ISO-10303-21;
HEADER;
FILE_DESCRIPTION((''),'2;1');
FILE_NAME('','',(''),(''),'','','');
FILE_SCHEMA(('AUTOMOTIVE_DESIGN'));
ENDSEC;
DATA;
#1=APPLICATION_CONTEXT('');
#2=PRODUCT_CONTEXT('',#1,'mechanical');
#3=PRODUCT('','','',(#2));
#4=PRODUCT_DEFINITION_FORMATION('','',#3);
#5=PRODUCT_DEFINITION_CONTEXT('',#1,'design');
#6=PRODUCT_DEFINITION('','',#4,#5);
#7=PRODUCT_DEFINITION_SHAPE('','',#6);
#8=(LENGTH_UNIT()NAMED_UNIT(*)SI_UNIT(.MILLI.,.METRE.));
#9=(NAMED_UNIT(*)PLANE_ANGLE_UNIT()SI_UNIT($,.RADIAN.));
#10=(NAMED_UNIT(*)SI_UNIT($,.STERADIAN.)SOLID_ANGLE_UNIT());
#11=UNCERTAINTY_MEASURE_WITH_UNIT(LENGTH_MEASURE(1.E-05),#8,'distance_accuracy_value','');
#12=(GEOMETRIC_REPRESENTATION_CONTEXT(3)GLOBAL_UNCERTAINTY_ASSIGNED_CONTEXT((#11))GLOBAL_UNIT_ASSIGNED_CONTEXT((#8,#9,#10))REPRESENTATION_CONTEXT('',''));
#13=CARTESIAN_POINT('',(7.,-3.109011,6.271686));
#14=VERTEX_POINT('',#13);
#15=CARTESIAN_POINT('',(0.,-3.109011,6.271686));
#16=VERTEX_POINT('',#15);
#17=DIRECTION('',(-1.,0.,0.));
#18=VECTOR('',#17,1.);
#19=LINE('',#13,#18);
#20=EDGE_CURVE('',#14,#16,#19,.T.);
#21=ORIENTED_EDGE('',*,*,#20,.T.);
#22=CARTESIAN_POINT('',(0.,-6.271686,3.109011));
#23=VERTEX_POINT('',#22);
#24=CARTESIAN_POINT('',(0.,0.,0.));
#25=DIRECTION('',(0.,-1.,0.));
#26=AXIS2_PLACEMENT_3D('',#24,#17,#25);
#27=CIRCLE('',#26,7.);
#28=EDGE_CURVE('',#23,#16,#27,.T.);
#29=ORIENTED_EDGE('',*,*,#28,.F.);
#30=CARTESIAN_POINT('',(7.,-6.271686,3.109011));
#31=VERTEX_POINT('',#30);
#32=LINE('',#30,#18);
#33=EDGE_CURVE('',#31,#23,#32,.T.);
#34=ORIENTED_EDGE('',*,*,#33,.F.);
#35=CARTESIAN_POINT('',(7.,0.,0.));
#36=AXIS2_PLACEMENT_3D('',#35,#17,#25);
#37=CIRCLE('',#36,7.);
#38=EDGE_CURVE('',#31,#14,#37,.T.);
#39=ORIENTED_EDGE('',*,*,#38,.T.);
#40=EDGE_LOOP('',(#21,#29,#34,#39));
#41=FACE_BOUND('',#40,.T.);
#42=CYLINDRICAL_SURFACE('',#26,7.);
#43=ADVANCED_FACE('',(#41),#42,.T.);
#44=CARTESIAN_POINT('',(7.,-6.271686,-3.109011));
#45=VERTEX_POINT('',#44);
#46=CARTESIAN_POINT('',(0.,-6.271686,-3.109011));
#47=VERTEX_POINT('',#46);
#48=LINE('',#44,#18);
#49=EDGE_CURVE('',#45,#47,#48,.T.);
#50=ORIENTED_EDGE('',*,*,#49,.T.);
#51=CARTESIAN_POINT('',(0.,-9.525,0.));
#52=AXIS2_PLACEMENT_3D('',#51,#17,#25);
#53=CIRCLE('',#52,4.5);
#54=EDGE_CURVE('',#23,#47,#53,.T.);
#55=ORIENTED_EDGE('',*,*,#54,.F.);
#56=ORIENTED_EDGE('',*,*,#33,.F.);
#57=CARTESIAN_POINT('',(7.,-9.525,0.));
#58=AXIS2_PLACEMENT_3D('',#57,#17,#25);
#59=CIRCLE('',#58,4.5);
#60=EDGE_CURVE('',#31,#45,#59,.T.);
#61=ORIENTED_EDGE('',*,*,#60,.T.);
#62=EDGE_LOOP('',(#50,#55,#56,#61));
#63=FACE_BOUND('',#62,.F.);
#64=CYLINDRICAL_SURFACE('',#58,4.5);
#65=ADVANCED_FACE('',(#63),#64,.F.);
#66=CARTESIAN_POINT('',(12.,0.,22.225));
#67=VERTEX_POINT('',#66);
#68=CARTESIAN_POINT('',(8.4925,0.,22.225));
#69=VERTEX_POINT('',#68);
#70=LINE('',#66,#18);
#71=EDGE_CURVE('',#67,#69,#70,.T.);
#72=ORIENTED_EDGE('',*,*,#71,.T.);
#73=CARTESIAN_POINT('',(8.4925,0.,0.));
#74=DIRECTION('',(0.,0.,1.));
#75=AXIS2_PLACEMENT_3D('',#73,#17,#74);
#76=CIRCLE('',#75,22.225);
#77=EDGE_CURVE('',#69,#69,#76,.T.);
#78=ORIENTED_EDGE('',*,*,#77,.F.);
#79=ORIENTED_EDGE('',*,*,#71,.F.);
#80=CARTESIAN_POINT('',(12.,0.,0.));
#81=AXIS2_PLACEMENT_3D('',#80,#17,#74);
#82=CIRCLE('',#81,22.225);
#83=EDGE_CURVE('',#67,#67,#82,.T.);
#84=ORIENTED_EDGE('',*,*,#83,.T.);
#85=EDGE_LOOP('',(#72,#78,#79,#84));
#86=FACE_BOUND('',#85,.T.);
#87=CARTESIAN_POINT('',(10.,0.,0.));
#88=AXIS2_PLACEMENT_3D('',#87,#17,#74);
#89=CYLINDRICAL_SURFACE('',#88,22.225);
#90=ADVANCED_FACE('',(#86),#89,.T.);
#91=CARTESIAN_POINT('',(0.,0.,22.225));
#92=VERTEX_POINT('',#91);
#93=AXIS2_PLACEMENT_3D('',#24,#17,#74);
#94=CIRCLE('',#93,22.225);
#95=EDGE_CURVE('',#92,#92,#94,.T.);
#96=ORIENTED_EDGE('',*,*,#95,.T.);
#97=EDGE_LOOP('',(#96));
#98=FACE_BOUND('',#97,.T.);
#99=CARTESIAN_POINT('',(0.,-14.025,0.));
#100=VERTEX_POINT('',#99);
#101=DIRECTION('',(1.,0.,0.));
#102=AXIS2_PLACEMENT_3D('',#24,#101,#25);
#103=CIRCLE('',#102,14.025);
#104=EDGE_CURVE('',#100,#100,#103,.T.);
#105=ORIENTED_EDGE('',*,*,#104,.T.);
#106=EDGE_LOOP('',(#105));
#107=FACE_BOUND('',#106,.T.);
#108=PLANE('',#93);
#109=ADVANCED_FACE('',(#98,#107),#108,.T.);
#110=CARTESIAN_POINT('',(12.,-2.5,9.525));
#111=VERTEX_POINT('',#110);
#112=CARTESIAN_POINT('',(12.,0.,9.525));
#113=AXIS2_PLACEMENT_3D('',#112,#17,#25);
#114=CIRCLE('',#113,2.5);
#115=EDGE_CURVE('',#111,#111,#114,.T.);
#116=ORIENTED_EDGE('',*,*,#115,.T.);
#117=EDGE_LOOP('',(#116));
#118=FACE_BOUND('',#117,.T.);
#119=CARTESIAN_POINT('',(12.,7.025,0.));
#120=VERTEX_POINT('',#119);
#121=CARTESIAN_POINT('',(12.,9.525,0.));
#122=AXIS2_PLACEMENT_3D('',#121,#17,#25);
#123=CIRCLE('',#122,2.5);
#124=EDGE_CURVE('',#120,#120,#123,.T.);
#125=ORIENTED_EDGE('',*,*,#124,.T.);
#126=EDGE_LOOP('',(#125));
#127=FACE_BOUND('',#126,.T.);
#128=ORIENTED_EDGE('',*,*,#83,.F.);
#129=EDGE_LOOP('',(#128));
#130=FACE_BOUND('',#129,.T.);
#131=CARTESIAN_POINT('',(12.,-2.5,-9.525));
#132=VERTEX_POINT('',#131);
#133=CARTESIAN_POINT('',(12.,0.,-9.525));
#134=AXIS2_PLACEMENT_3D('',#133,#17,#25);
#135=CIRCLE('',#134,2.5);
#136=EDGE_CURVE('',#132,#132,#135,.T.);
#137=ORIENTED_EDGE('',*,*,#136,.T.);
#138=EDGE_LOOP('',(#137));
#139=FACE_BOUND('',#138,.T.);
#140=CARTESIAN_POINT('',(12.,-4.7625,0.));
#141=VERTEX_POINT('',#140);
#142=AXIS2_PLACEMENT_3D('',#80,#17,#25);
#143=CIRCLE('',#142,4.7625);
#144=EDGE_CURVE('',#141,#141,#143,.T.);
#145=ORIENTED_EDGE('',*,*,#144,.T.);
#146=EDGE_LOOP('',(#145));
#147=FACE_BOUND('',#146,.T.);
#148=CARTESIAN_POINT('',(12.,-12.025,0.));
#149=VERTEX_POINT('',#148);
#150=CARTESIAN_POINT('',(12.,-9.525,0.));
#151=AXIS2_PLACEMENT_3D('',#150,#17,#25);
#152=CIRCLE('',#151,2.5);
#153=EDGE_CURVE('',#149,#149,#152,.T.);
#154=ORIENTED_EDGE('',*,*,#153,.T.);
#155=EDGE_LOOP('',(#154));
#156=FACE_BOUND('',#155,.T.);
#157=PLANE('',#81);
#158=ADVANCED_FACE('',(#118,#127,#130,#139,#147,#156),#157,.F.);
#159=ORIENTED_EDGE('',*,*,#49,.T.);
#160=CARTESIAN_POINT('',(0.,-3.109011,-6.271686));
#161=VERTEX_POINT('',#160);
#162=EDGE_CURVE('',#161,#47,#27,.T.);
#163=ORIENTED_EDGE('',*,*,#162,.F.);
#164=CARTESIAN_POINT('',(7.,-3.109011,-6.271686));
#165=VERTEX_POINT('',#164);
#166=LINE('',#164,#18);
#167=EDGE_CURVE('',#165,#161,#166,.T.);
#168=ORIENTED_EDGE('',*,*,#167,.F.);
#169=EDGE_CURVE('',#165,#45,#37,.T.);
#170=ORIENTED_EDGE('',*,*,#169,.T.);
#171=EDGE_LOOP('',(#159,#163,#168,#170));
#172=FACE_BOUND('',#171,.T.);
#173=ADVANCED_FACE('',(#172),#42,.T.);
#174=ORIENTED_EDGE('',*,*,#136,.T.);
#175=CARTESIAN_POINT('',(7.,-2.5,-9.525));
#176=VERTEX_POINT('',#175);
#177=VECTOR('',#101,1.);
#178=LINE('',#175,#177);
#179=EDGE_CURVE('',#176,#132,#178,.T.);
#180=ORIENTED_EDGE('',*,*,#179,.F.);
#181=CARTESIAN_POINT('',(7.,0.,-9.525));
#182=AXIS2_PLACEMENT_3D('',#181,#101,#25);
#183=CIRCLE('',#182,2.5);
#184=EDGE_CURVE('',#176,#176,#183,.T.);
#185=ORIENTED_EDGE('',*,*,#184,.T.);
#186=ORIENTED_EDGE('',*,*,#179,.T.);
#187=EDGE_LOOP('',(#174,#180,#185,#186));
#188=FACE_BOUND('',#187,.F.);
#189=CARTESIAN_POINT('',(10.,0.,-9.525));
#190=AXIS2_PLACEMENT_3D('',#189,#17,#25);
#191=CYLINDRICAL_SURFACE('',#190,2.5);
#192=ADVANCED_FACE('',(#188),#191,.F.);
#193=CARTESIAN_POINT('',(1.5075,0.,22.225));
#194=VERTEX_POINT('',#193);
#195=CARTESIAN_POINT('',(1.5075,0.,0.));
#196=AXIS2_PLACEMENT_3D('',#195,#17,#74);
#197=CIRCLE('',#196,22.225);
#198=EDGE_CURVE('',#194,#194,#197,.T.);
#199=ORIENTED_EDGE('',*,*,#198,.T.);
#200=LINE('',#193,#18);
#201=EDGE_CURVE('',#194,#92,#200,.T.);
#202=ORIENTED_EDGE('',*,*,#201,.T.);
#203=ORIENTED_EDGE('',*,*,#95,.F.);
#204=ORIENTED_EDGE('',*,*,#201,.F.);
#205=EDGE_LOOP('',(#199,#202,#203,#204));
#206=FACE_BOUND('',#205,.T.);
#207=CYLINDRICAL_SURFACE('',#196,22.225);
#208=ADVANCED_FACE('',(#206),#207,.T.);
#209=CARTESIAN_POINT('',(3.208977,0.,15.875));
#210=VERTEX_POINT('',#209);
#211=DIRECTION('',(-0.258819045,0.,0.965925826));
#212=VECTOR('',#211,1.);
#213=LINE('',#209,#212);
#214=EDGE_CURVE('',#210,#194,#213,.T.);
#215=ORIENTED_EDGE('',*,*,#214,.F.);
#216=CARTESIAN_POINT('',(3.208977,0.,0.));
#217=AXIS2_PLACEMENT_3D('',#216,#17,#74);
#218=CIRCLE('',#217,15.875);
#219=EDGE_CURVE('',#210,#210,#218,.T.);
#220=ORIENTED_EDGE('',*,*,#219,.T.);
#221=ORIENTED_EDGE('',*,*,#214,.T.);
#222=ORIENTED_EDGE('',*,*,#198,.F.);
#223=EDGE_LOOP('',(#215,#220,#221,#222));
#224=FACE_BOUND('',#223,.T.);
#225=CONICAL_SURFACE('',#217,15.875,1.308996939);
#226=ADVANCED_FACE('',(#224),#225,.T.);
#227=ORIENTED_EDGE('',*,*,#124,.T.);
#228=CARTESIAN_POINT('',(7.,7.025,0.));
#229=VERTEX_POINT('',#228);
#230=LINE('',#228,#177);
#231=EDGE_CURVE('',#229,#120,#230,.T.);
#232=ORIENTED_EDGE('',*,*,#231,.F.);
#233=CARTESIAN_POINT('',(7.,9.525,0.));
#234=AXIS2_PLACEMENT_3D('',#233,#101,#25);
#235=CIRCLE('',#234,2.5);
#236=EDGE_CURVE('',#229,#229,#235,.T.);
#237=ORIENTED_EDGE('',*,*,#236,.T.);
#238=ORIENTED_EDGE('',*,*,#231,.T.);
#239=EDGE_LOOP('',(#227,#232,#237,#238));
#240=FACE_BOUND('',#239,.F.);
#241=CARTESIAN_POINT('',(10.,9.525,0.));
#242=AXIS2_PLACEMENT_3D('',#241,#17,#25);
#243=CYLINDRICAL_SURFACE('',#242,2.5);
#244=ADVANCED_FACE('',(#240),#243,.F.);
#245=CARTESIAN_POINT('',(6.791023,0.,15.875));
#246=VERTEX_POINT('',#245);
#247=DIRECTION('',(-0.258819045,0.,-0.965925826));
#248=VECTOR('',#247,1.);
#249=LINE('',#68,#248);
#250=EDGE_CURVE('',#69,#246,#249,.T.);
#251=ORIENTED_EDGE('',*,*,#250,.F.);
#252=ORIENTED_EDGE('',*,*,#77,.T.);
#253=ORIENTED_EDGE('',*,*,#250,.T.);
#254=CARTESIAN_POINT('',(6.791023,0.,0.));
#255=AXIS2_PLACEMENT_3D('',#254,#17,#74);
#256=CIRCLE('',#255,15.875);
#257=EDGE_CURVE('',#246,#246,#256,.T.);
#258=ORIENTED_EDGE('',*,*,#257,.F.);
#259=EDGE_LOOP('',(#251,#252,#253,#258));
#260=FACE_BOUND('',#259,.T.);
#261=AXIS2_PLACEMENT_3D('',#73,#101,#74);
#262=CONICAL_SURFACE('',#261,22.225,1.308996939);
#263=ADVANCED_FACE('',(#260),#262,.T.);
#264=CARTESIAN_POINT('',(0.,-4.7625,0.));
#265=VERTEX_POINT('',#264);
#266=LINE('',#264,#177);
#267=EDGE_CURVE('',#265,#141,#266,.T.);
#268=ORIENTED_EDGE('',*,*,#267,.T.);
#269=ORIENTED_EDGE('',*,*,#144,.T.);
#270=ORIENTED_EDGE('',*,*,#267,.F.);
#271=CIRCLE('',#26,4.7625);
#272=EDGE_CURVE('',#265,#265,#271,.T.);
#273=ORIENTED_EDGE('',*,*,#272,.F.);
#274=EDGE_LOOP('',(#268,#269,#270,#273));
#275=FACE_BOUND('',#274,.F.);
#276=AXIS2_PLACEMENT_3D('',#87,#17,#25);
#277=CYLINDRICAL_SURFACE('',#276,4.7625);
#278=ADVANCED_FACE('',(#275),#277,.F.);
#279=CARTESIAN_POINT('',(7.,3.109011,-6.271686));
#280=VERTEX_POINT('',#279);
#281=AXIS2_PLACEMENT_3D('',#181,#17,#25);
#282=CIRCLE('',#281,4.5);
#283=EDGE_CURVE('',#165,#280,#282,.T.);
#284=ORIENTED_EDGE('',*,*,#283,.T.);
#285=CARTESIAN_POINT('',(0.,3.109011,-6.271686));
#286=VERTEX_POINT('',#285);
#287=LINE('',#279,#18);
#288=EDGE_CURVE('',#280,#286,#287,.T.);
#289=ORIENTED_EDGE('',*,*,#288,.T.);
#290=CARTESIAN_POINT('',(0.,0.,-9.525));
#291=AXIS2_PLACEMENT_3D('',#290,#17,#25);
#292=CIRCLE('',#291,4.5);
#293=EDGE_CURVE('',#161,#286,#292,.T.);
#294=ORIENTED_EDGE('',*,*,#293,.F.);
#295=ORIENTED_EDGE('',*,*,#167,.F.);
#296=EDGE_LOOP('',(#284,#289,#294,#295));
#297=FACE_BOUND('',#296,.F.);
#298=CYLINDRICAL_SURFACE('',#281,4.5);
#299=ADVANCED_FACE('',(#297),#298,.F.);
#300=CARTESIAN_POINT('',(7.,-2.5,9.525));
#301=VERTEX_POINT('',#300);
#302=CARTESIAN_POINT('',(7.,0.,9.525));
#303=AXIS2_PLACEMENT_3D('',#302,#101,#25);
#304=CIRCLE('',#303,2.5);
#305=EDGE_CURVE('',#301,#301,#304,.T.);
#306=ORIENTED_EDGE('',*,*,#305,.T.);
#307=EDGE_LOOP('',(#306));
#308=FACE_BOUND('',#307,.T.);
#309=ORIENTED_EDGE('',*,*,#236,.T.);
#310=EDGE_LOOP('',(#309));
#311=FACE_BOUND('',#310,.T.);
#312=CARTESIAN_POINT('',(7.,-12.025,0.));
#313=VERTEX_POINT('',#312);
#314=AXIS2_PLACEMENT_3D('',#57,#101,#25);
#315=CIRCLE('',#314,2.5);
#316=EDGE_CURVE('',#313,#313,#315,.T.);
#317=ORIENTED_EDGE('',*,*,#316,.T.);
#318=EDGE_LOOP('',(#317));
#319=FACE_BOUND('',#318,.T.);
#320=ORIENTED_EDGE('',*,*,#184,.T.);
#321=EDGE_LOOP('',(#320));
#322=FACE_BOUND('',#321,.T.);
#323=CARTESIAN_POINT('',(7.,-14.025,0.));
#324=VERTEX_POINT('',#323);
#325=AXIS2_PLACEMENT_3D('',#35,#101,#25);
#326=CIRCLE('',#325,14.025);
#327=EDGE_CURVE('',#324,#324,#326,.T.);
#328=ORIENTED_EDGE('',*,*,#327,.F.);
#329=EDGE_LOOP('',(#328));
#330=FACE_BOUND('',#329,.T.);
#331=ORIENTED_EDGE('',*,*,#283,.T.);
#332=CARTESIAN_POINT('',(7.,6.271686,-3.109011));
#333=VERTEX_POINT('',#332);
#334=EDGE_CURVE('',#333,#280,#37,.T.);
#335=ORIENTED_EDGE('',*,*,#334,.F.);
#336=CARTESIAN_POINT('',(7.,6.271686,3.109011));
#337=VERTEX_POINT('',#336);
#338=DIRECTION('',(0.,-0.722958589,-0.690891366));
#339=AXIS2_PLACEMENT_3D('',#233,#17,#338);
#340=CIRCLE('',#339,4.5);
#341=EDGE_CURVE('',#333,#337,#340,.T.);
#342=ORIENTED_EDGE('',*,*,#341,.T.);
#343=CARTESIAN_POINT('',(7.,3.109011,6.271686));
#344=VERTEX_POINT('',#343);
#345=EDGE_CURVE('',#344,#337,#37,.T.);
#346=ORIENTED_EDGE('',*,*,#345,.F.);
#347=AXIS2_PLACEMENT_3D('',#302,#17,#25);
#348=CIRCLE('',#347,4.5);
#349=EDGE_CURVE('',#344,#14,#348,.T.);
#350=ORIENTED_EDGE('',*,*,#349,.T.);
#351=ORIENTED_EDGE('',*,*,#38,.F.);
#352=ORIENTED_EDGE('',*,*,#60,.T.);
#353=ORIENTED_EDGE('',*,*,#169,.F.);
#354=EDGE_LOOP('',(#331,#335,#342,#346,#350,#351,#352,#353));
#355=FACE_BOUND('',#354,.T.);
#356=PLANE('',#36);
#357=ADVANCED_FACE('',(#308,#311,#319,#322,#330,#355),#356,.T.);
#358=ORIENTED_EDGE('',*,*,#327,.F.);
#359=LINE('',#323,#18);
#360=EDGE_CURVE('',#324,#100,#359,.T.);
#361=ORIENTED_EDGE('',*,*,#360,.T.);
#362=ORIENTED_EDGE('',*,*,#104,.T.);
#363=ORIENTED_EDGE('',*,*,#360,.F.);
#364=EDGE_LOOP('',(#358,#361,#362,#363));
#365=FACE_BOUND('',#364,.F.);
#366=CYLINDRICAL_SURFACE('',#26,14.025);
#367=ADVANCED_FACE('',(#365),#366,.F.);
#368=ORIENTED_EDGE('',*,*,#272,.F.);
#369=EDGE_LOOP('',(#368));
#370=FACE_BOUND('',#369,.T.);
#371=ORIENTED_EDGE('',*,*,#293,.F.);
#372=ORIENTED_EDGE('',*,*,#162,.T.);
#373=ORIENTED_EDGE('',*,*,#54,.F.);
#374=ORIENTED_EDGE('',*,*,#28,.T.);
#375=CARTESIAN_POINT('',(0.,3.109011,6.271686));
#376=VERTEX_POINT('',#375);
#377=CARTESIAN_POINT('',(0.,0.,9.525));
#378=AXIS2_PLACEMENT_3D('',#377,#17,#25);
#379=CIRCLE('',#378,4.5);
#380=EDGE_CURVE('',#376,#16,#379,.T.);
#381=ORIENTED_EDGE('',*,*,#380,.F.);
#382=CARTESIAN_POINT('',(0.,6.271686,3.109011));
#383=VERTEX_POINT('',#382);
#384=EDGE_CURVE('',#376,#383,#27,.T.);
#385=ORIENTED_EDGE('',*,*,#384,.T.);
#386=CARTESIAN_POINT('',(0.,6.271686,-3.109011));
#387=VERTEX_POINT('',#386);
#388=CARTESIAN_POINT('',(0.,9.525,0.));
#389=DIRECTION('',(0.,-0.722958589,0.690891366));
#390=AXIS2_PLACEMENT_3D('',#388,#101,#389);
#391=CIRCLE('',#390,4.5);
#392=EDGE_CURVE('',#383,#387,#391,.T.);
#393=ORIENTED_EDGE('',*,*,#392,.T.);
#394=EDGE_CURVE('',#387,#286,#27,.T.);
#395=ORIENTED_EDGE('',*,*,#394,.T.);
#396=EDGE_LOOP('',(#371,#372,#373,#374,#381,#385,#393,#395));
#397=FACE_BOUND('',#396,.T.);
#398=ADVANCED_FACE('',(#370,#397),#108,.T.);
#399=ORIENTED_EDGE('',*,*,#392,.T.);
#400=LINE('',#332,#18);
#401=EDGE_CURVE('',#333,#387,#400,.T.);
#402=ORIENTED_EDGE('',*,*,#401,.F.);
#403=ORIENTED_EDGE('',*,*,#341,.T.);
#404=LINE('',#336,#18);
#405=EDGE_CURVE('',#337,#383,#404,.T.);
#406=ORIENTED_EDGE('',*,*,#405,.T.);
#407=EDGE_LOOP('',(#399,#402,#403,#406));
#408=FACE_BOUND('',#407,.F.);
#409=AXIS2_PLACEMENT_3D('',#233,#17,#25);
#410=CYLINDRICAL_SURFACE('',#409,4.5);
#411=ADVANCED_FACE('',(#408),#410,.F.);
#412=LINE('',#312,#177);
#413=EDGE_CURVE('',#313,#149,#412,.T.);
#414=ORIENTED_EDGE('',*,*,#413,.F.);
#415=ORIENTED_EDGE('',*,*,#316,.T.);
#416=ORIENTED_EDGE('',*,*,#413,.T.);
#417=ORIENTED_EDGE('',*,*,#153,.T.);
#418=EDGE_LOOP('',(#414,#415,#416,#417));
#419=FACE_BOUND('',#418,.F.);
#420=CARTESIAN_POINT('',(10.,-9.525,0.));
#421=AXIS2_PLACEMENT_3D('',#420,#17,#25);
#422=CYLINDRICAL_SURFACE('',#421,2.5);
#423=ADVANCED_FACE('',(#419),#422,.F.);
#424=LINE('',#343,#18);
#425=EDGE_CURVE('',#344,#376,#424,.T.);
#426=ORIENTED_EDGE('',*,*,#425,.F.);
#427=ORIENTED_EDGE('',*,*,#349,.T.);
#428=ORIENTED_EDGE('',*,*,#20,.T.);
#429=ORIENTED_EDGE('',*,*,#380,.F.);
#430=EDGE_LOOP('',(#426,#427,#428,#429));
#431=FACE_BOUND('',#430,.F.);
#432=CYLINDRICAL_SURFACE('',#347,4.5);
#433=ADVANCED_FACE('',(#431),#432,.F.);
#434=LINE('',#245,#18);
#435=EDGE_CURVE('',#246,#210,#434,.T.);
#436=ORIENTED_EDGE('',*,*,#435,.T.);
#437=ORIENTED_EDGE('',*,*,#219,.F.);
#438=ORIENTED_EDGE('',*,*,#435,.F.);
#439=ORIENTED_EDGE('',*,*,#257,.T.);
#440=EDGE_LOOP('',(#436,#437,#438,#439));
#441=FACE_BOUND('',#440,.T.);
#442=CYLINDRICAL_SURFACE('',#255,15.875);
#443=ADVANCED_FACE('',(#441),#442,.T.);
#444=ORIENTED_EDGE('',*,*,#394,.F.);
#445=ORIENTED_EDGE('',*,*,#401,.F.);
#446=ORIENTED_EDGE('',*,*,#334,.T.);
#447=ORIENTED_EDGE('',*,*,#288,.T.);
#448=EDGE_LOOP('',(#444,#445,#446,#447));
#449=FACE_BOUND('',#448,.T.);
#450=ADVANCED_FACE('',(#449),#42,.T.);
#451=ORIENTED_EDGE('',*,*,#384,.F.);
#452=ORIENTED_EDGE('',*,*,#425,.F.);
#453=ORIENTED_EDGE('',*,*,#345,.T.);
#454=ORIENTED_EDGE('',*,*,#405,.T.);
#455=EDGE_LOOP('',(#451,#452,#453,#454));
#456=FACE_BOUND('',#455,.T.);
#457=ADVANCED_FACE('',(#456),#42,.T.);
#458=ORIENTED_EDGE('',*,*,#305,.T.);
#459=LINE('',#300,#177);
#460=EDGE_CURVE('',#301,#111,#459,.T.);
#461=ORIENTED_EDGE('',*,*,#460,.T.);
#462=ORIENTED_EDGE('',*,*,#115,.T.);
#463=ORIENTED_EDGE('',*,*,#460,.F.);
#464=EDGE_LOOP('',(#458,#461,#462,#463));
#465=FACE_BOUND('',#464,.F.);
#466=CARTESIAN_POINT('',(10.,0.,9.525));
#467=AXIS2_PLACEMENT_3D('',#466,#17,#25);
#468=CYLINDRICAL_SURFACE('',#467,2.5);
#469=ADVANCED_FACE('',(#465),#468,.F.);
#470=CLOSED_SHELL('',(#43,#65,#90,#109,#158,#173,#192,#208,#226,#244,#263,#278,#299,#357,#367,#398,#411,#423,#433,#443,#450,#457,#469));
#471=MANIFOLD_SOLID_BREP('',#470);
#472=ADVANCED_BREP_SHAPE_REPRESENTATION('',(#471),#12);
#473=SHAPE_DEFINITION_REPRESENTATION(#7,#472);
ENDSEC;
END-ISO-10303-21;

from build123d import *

# Parameters (mm, degrees)
F2_R           = 2.5
F2_R_2         = 4.7625
F3_DEPTH       = 10.001
F5_D           = 5
F5_CBORE_D     = 9
F5_CBORE_DEPTH = 7
F6_R           = 14.025
F6_R_2         = 7
F7_DEPTH       = 7
F8_DEPTH       = 2


with BuildPart() as f1:
    # F0 (on Front) → F1 (revolve)
    with BuildSketch(Plane.XZ):
        Polygon((0, 22.225), (0, 0), (10, 0), (10, 22.225), (8.4925, 22.225), (6.7910226281, 15.875), (3.2089773719, 15.875), (1.5075, 22.225), align=None)
    revolve(axis=Axis((5, 0, 0), (-1, 0, 0)))

    # F2 (on face) → F3 (cut, through all)
    with BuildSketch(Plane(origin=(0, 0, 0), x_dir=(0, -1, 0), z_dir=(-1, 0, 0))):
        with Locations((0, 9.525)):
            Circle(F2_R)
        with Locations((9.525, 0)):
            Circle(F2_R)
        with Locations((0, -9.525)):
            Circle(F2_R)
        with Locations((-9.525, 0)):
            Circle(F2_R)
        Circle(F2_R_2)
    extrude(amount=-F3_DEPTH, mode=Mode.SUBTRACT)

    # F5 (through all)
    with Locations(Plane(origin=(0, 0, 0), x_dir=(0, -1, 0), z_dir=(-1, 0, 0))):
        with Locations((0, 9.525), (-9.525, 0), (0, -9.525), (9.525, 0)):
            CounterBoreHole(F5_D / 2, F5_CBORE_D / 2, F5_CBORE_DEPTH)

    # F6 (on face) → F7 (cut)
    with BuildSketch(Plane(origin=(0, 0, 0), x_dir=(0, -1, 0), z_dir=(-1, 0, 0))):
        Circle(F6_R)
        Circle(F6_R_2, mode=Mode.SUBTRACT)
    extrude(amount=-F7_DEPTH, mode=Mode.SUBTRACT)

    # F8 (add): a face of the model
    f8_faces = [f1.faces().sort_by_distance(p)[0] for p in [
        (10, 0, -21.5963820715),
    ]]
    extrude(f8_faces, amount=F8_DEPTH)


solid = f1.part
